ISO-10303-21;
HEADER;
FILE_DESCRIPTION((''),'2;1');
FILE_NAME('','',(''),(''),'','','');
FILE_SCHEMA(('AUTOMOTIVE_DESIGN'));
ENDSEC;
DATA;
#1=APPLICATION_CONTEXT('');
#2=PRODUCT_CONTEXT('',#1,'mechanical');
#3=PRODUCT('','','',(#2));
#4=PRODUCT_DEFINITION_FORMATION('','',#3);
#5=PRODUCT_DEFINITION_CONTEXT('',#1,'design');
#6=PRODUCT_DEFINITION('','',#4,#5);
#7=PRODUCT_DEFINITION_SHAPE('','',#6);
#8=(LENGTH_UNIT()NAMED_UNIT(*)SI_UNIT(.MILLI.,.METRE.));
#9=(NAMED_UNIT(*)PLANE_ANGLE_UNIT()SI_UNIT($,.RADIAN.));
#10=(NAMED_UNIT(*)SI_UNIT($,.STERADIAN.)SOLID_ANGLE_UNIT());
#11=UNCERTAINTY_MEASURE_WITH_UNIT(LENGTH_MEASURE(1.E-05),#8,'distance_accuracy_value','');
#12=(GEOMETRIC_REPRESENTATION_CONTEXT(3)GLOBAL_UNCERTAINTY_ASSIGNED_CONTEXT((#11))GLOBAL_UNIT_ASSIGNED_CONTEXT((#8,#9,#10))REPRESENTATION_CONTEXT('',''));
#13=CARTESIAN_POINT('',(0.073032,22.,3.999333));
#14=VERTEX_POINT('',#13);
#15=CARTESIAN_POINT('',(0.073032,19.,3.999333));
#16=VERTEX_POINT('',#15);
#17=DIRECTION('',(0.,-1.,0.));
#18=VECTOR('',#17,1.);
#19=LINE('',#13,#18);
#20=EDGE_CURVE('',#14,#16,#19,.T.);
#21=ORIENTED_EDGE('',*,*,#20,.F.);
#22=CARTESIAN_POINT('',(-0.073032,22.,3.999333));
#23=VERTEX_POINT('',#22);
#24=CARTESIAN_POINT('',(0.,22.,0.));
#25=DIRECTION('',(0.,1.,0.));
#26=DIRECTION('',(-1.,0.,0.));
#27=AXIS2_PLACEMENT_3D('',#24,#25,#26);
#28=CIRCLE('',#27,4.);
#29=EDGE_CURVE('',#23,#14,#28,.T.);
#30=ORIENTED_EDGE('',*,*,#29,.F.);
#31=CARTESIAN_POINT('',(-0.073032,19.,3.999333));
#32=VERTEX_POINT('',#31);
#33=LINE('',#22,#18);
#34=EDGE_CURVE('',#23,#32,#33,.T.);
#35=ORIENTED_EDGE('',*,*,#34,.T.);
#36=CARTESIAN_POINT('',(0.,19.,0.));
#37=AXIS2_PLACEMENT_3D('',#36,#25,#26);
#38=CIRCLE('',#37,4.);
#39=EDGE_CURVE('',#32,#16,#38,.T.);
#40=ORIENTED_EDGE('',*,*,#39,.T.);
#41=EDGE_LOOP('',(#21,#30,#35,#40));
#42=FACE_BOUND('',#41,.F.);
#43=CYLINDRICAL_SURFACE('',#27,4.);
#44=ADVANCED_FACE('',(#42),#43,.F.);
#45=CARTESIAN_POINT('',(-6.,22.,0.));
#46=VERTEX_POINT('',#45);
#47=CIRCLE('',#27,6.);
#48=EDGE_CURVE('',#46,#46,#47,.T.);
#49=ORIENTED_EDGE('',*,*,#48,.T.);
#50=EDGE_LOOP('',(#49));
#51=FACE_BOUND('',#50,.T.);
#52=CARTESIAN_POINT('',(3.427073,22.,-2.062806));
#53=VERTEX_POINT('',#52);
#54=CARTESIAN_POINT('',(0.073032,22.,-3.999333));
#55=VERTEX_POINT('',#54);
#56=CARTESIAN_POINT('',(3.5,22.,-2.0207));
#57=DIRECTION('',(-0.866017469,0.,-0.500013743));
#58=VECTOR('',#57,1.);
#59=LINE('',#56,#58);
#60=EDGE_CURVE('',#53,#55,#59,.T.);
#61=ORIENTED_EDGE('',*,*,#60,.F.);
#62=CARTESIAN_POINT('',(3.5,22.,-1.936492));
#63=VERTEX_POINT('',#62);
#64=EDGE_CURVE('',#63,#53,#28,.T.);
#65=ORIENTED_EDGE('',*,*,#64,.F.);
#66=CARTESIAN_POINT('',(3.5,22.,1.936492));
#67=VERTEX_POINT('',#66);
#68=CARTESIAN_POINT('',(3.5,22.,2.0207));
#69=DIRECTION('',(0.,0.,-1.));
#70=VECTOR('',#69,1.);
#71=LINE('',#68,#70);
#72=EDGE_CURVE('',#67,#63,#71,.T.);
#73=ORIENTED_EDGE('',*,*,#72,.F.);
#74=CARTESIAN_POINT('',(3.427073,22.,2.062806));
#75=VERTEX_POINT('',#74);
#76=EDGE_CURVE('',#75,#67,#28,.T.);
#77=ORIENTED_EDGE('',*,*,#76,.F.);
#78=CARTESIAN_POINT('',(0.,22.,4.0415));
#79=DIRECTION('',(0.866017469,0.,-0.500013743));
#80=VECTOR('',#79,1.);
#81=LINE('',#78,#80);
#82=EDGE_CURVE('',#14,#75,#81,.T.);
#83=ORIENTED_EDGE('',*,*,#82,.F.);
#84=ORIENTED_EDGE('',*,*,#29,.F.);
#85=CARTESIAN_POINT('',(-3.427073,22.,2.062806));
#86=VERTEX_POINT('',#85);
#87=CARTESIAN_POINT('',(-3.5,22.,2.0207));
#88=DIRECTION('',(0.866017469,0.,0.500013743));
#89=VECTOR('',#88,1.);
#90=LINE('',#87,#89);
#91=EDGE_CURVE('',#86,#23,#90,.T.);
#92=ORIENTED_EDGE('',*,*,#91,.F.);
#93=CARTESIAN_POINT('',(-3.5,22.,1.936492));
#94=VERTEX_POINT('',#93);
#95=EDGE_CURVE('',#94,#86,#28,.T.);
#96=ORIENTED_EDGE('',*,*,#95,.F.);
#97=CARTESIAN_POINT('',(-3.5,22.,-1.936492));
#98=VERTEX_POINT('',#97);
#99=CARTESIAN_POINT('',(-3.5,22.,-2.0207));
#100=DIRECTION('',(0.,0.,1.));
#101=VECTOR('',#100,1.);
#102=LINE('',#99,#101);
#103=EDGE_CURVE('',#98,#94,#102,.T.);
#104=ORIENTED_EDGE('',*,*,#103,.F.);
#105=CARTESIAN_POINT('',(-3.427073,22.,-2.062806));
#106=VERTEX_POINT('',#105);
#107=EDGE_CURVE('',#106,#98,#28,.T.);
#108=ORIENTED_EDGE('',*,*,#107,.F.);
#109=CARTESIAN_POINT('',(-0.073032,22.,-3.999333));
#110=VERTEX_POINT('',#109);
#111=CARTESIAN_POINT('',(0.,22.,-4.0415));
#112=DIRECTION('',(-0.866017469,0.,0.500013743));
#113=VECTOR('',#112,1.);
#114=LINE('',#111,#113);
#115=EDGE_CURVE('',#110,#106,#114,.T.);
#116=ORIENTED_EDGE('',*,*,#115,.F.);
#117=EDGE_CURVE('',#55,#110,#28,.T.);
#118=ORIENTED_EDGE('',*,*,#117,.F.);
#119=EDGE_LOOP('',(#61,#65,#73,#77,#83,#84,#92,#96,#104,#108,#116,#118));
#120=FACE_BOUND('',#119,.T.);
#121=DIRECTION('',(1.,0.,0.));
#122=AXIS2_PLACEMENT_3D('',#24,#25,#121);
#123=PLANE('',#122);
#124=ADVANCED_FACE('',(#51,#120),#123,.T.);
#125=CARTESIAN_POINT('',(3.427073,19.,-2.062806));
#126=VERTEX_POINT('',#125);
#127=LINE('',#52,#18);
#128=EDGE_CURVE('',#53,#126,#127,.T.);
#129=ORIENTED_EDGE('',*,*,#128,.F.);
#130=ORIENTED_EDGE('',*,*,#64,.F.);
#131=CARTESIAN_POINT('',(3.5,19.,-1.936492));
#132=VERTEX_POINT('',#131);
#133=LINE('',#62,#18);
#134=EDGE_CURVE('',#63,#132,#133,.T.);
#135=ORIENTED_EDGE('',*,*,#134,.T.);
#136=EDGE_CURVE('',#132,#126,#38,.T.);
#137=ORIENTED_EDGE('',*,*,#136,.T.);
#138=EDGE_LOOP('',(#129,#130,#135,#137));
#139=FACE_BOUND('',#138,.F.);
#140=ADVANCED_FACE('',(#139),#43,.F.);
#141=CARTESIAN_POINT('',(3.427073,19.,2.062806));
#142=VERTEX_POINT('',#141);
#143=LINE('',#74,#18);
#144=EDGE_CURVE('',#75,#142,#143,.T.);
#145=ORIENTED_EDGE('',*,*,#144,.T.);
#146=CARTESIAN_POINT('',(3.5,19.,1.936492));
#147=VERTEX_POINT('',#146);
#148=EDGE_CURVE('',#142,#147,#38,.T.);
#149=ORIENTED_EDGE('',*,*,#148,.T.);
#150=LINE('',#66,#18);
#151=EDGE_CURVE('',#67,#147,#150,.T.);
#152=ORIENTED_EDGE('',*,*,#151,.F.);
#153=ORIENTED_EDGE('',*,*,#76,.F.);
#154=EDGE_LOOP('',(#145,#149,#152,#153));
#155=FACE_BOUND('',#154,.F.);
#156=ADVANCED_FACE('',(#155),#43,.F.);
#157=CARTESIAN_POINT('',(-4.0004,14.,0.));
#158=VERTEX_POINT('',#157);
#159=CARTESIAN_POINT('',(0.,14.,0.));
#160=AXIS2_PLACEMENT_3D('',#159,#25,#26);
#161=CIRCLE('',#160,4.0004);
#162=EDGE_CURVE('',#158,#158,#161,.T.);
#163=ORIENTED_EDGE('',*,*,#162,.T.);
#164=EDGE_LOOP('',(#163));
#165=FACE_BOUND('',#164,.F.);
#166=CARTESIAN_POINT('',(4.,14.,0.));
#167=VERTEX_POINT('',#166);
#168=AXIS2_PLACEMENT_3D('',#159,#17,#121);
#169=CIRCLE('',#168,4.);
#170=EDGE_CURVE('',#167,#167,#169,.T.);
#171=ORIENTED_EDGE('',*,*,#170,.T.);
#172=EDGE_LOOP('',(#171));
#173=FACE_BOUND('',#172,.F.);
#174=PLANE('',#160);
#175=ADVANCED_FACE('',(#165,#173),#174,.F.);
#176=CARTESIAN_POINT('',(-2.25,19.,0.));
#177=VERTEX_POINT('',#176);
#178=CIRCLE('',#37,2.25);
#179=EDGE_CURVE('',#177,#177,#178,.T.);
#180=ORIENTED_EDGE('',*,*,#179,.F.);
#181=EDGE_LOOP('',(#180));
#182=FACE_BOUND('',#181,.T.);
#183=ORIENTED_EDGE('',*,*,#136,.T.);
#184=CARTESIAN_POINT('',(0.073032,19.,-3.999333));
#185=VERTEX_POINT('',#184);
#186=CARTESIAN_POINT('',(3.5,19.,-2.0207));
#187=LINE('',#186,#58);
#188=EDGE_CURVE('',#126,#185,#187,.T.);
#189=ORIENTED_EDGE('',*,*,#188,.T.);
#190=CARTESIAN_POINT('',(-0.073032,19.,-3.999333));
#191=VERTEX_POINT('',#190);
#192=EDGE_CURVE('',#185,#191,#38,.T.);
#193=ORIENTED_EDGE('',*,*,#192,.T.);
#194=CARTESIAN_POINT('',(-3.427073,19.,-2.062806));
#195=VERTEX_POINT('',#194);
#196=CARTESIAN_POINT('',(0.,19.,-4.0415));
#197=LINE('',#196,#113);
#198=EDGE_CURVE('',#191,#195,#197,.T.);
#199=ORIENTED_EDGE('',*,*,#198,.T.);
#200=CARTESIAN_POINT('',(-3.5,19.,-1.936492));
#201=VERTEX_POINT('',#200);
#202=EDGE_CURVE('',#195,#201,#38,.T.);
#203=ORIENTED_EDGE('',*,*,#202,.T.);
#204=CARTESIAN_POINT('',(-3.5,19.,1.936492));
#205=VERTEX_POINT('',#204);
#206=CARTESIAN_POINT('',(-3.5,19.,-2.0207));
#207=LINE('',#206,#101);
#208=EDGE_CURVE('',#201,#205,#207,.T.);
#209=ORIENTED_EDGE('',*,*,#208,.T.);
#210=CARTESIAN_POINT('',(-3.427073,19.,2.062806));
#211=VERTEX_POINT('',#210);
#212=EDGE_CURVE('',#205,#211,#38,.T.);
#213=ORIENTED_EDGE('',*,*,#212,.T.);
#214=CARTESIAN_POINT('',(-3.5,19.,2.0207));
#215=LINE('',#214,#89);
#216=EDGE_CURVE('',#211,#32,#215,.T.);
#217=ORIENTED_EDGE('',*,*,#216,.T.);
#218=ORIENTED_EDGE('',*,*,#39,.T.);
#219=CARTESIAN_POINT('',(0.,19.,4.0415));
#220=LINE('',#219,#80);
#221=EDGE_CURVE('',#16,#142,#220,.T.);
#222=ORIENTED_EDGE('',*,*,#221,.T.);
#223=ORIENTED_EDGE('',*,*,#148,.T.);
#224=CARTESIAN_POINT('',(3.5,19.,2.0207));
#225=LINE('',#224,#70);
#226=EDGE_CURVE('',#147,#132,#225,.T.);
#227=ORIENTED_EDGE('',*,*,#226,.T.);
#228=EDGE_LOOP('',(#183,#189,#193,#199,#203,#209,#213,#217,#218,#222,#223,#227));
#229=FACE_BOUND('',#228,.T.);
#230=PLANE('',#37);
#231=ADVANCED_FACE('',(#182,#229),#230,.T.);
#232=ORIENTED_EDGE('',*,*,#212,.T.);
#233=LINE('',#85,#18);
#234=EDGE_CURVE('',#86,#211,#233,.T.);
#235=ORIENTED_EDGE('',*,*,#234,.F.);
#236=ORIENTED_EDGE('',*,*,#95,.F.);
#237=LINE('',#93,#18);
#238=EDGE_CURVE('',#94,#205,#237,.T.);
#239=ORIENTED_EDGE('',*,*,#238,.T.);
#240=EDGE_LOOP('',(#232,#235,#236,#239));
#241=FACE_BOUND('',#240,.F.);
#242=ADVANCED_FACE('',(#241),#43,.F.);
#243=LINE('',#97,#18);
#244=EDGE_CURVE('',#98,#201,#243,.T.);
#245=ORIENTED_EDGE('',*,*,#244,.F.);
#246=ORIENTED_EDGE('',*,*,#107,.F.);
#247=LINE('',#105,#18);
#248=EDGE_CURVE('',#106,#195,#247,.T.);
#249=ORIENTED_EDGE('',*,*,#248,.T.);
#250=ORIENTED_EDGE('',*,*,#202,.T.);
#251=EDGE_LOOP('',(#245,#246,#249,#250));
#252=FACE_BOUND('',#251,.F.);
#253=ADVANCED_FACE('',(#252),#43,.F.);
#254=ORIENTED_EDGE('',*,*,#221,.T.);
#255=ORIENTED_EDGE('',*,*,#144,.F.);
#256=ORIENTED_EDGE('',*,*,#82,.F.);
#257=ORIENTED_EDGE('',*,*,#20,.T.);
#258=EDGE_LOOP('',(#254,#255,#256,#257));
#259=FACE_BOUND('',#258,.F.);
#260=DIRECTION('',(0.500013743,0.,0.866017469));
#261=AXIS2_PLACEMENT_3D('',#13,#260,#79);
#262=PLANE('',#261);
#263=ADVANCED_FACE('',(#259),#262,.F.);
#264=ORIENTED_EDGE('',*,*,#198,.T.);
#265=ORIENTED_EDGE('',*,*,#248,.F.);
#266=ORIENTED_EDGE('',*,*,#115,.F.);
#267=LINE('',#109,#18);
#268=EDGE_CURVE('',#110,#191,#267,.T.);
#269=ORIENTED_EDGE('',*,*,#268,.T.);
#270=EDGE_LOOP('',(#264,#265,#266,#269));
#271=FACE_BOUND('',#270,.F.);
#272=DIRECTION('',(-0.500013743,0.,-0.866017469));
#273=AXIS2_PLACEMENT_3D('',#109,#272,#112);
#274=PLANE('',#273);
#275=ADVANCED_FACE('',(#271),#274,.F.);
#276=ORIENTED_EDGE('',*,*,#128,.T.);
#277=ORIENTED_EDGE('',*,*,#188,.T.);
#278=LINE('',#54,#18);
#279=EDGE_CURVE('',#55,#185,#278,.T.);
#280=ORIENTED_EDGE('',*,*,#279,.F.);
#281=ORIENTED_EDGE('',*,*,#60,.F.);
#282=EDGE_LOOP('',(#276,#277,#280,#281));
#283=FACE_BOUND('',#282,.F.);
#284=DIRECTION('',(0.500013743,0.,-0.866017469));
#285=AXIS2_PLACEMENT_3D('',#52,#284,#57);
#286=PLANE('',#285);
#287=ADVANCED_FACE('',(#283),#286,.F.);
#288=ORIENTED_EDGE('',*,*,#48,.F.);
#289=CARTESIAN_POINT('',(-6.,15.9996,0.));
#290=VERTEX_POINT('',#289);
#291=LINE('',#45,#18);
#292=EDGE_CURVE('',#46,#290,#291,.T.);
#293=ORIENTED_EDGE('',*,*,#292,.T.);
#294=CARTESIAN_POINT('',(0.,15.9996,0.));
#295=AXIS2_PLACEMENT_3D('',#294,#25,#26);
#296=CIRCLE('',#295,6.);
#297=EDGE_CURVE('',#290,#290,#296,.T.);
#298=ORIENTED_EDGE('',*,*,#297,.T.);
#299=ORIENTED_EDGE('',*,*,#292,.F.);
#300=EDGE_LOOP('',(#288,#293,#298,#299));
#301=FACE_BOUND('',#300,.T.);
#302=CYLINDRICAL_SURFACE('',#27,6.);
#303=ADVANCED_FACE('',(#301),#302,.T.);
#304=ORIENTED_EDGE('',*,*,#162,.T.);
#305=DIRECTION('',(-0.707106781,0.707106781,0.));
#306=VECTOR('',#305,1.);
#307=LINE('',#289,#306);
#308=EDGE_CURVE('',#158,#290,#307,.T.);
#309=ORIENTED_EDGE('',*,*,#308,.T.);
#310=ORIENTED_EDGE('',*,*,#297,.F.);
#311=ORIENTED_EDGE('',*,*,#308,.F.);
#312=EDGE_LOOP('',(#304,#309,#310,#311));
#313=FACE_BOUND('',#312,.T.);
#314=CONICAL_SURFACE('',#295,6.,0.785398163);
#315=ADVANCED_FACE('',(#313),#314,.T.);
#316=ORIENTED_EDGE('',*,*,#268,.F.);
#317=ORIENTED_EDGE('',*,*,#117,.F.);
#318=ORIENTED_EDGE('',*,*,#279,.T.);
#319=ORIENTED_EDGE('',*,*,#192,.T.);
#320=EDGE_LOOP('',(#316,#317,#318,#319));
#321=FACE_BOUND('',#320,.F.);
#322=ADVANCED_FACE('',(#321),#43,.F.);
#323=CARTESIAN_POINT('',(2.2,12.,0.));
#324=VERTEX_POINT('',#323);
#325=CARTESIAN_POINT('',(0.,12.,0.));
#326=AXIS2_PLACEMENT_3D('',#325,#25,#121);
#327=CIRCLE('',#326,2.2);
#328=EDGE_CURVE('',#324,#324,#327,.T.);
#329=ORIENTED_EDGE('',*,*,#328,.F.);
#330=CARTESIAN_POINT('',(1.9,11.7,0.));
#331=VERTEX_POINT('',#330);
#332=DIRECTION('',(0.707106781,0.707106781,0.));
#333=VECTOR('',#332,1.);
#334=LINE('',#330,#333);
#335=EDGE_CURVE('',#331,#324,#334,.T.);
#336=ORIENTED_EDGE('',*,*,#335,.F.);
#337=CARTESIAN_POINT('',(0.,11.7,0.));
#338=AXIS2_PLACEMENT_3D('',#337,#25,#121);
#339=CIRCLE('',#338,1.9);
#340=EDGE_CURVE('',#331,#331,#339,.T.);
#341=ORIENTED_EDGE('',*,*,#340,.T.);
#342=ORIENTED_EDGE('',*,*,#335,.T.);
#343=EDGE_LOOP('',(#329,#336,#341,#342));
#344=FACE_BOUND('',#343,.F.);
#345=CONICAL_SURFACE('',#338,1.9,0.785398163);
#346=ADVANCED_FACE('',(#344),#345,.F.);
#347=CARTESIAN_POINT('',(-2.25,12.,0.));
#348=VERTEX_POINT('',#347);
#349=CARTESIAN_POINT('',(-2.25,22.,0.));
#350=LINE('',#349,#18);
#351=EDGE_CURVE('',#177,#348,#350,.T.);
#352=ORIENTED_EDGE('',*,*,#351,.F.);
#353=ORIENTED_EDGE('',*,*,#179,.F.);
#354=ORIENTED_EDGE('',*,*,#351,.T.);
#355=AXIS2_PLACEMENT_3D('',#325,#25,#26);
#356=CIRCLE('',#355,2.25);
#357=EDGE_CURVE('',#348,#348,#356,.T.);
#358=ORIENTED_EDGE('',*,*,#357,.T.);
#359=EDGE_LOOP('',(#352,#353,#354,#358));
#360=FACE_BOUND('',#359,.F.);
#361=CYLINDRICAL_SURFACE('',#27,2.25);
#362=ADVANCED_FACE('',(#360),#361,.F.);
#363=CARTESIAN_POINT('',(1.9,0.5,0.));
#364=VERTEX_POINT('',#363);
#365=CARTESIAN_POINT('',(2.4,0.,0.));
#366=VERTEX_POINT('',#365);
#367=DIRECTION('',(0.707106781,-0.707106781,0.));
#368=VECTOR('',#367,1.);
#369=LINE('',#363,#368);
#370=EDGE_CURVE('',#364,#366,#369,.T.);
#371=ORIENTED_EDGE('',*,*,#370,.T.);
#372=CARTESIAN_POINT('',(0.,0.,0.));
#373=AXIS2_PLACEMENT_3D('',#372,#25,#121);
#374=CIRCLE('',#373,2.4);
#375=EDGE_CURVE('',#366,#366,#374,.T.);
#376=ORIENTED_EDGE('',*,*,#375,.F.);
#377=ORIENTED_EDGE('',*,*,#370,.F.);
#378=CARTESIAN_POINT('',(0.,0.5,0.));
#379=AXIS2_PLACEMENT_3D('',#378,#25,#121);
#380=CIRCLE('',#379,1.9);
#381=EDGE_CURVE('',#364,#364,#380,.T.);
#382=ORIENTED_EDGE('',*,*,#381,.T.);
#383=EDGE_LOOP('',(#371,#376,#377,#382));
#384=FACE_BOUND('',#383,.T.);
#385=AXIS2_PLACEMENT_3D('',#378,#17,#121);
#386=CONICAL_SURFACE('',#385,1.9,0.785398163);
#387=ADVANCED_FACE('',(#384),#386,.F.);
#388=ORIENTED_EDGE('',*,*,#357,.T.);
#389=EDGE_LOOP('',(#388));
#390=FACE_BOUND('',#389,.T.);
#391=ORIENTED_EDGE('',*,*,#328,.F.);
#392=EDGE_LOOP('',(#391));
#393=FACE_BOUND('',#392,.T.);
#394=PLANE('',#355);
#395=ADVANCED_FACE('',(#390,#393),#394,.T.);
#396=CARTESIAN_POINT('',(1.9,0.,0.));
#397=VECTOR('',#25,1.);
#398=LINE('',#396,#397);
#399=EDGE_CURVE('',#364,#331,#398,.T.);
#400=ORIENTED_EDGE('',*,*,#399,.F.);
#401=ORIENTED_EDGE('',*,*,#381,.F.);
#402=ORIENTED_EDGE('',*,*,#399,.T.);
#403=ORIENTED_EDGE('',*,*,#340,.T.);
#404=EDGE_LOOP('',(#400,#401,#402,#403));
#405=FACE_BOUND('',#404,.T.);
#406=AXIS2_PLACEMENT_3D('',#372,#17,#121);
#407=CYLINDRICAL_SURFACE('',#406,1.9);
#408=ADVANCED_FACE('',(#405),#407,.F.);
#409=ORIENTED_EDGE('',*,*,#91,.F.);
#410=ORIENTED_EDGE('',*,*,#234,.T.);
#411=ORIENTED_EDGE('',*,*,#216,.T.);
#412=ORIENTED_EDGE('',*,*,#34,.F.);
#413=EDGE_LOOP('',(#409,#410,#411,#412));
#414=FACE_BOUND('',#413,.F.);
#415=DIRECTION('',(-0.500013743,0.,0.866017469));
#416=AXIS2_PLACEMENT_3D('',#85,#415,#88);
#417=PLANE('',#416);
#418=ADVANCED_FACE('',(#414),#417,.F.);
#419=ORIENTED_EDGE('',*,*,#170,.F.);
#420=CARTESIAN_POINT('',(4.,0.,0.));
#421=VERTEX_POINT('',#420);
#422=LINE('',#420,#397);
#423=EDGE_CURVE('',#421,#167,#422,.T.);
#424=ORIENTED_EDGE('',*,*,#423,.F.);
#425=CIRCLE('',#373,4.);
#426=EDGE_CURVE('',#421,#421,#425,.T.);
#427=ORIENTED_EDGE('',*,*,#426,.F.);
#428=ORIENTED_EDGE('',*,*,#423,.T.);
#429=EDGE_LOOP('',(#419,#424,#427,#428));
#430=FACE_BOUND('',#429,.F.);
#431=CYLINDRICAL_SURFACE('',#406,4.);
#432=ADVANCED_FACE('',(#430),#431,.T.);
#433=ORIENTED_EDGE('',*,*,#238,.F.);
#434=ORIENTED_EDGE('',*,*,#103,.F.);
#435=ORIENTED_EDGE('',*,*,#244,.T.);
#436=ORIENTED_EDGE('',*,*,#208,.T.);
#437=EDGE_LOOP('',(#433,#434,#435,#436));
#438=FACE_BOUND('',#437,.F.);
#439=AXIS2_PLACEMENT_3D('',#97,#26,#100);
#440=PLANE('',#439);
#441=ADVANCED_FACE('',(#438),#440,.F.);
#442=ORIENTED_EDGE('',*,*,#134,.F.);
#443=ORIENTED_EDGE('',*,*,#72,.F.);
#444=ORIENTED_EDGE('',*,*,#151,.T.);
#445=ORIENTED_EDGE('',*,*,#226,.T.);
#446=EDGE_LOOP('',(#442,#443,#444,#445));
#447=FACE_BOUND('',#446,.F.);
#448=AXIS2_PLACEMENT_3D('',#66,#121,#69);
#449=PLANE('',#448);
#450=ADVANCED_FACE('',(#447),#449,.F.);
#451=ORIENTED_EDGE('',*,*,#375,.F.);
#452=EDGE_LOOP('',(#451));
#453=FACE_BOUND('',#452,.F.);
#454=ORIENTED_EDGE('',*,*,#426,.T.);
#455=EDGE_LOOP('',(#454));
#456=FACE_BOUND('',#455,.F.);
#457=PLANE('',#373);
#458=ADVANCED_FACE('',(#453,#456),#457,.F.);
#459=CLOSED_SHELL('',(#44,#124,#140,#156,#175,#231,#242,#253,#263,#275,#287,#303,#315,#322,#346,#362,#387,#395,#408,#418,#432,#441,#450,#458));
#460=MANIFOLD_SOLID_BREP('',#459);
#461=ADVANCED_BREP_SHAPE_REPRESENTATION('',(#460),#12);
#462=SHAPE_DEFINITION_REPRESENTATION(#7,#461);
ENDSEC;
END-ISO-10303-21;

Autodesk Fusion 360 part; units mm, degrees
sketch "Sketch1" plane through (0, 0, 0) normal (0, 1, 0) x (1, 0, 0)
  circle A0 centre (0, 0) radius 1.9
  circle A1 centre (0, 0) radius 4
  dimension "d1" = 3.8
  dimension "d2" = 8
extrude "Extrude1" add sketch "Sketch1" along normal blind 22
chamfer "Chamfer2" distance 0.5 angle 45 1 edges at (-1.7714, 0, -0.6871)
sketch "Sketch2" plane through (0, 22, 0) normal (0, 1, 0) x (-1, 0, 0)
  circle A0 centre (0, 0) radius 1.9
  circle A1 centre (0, 0) radius 4
  circle A2 centre (0, 0) radius 6
  line L0 (3.5, 2.0207) -> (0, 4.0415)
  line L1 (0, 4.0415) -> (-3.5, 2.0207)
  line L2 (-3.5, 2.0207) -> (-3.5, -2.0207)
  line L3 (-3.5, -2.0207) -> (0, -4.0415)
  line L4 (0, -4.0415) -> (3.5, -2.0207)
  line L5 (3.5, -2.0207) -> (3.5, 2.0207)
  circle A3 centre (0, 0) radius 2.25
  dimension "d7" = 12
  dimension "d8" = 3.5
  dimension "d9" = 4.5
extrude "Extrude3" cut sketch "Sketch2" against normal blind 3 contours A1 L0 L1 L2 L3 L4 L5 | A3
extrude "Extrude2" add sketch "Sketch2" against normal blind 8 contours A1 L0 L5 | A1 L4 L5 | A1 L0 L1 | A1 L3 L4 | A1 L1 L2 | A1 L2 L3 | A2
extrude "Extrude4" cut sketch "Sketch2" against normal blind 10 contours A3
chamfer "Chamfer3" distance 2 angle 45 1 edges at (5.594, 14, 2.1697)
chamfer "Chamfer4" distance 0.3 angle 45 1 edges at (-1.7714, 12, 0.6871)
